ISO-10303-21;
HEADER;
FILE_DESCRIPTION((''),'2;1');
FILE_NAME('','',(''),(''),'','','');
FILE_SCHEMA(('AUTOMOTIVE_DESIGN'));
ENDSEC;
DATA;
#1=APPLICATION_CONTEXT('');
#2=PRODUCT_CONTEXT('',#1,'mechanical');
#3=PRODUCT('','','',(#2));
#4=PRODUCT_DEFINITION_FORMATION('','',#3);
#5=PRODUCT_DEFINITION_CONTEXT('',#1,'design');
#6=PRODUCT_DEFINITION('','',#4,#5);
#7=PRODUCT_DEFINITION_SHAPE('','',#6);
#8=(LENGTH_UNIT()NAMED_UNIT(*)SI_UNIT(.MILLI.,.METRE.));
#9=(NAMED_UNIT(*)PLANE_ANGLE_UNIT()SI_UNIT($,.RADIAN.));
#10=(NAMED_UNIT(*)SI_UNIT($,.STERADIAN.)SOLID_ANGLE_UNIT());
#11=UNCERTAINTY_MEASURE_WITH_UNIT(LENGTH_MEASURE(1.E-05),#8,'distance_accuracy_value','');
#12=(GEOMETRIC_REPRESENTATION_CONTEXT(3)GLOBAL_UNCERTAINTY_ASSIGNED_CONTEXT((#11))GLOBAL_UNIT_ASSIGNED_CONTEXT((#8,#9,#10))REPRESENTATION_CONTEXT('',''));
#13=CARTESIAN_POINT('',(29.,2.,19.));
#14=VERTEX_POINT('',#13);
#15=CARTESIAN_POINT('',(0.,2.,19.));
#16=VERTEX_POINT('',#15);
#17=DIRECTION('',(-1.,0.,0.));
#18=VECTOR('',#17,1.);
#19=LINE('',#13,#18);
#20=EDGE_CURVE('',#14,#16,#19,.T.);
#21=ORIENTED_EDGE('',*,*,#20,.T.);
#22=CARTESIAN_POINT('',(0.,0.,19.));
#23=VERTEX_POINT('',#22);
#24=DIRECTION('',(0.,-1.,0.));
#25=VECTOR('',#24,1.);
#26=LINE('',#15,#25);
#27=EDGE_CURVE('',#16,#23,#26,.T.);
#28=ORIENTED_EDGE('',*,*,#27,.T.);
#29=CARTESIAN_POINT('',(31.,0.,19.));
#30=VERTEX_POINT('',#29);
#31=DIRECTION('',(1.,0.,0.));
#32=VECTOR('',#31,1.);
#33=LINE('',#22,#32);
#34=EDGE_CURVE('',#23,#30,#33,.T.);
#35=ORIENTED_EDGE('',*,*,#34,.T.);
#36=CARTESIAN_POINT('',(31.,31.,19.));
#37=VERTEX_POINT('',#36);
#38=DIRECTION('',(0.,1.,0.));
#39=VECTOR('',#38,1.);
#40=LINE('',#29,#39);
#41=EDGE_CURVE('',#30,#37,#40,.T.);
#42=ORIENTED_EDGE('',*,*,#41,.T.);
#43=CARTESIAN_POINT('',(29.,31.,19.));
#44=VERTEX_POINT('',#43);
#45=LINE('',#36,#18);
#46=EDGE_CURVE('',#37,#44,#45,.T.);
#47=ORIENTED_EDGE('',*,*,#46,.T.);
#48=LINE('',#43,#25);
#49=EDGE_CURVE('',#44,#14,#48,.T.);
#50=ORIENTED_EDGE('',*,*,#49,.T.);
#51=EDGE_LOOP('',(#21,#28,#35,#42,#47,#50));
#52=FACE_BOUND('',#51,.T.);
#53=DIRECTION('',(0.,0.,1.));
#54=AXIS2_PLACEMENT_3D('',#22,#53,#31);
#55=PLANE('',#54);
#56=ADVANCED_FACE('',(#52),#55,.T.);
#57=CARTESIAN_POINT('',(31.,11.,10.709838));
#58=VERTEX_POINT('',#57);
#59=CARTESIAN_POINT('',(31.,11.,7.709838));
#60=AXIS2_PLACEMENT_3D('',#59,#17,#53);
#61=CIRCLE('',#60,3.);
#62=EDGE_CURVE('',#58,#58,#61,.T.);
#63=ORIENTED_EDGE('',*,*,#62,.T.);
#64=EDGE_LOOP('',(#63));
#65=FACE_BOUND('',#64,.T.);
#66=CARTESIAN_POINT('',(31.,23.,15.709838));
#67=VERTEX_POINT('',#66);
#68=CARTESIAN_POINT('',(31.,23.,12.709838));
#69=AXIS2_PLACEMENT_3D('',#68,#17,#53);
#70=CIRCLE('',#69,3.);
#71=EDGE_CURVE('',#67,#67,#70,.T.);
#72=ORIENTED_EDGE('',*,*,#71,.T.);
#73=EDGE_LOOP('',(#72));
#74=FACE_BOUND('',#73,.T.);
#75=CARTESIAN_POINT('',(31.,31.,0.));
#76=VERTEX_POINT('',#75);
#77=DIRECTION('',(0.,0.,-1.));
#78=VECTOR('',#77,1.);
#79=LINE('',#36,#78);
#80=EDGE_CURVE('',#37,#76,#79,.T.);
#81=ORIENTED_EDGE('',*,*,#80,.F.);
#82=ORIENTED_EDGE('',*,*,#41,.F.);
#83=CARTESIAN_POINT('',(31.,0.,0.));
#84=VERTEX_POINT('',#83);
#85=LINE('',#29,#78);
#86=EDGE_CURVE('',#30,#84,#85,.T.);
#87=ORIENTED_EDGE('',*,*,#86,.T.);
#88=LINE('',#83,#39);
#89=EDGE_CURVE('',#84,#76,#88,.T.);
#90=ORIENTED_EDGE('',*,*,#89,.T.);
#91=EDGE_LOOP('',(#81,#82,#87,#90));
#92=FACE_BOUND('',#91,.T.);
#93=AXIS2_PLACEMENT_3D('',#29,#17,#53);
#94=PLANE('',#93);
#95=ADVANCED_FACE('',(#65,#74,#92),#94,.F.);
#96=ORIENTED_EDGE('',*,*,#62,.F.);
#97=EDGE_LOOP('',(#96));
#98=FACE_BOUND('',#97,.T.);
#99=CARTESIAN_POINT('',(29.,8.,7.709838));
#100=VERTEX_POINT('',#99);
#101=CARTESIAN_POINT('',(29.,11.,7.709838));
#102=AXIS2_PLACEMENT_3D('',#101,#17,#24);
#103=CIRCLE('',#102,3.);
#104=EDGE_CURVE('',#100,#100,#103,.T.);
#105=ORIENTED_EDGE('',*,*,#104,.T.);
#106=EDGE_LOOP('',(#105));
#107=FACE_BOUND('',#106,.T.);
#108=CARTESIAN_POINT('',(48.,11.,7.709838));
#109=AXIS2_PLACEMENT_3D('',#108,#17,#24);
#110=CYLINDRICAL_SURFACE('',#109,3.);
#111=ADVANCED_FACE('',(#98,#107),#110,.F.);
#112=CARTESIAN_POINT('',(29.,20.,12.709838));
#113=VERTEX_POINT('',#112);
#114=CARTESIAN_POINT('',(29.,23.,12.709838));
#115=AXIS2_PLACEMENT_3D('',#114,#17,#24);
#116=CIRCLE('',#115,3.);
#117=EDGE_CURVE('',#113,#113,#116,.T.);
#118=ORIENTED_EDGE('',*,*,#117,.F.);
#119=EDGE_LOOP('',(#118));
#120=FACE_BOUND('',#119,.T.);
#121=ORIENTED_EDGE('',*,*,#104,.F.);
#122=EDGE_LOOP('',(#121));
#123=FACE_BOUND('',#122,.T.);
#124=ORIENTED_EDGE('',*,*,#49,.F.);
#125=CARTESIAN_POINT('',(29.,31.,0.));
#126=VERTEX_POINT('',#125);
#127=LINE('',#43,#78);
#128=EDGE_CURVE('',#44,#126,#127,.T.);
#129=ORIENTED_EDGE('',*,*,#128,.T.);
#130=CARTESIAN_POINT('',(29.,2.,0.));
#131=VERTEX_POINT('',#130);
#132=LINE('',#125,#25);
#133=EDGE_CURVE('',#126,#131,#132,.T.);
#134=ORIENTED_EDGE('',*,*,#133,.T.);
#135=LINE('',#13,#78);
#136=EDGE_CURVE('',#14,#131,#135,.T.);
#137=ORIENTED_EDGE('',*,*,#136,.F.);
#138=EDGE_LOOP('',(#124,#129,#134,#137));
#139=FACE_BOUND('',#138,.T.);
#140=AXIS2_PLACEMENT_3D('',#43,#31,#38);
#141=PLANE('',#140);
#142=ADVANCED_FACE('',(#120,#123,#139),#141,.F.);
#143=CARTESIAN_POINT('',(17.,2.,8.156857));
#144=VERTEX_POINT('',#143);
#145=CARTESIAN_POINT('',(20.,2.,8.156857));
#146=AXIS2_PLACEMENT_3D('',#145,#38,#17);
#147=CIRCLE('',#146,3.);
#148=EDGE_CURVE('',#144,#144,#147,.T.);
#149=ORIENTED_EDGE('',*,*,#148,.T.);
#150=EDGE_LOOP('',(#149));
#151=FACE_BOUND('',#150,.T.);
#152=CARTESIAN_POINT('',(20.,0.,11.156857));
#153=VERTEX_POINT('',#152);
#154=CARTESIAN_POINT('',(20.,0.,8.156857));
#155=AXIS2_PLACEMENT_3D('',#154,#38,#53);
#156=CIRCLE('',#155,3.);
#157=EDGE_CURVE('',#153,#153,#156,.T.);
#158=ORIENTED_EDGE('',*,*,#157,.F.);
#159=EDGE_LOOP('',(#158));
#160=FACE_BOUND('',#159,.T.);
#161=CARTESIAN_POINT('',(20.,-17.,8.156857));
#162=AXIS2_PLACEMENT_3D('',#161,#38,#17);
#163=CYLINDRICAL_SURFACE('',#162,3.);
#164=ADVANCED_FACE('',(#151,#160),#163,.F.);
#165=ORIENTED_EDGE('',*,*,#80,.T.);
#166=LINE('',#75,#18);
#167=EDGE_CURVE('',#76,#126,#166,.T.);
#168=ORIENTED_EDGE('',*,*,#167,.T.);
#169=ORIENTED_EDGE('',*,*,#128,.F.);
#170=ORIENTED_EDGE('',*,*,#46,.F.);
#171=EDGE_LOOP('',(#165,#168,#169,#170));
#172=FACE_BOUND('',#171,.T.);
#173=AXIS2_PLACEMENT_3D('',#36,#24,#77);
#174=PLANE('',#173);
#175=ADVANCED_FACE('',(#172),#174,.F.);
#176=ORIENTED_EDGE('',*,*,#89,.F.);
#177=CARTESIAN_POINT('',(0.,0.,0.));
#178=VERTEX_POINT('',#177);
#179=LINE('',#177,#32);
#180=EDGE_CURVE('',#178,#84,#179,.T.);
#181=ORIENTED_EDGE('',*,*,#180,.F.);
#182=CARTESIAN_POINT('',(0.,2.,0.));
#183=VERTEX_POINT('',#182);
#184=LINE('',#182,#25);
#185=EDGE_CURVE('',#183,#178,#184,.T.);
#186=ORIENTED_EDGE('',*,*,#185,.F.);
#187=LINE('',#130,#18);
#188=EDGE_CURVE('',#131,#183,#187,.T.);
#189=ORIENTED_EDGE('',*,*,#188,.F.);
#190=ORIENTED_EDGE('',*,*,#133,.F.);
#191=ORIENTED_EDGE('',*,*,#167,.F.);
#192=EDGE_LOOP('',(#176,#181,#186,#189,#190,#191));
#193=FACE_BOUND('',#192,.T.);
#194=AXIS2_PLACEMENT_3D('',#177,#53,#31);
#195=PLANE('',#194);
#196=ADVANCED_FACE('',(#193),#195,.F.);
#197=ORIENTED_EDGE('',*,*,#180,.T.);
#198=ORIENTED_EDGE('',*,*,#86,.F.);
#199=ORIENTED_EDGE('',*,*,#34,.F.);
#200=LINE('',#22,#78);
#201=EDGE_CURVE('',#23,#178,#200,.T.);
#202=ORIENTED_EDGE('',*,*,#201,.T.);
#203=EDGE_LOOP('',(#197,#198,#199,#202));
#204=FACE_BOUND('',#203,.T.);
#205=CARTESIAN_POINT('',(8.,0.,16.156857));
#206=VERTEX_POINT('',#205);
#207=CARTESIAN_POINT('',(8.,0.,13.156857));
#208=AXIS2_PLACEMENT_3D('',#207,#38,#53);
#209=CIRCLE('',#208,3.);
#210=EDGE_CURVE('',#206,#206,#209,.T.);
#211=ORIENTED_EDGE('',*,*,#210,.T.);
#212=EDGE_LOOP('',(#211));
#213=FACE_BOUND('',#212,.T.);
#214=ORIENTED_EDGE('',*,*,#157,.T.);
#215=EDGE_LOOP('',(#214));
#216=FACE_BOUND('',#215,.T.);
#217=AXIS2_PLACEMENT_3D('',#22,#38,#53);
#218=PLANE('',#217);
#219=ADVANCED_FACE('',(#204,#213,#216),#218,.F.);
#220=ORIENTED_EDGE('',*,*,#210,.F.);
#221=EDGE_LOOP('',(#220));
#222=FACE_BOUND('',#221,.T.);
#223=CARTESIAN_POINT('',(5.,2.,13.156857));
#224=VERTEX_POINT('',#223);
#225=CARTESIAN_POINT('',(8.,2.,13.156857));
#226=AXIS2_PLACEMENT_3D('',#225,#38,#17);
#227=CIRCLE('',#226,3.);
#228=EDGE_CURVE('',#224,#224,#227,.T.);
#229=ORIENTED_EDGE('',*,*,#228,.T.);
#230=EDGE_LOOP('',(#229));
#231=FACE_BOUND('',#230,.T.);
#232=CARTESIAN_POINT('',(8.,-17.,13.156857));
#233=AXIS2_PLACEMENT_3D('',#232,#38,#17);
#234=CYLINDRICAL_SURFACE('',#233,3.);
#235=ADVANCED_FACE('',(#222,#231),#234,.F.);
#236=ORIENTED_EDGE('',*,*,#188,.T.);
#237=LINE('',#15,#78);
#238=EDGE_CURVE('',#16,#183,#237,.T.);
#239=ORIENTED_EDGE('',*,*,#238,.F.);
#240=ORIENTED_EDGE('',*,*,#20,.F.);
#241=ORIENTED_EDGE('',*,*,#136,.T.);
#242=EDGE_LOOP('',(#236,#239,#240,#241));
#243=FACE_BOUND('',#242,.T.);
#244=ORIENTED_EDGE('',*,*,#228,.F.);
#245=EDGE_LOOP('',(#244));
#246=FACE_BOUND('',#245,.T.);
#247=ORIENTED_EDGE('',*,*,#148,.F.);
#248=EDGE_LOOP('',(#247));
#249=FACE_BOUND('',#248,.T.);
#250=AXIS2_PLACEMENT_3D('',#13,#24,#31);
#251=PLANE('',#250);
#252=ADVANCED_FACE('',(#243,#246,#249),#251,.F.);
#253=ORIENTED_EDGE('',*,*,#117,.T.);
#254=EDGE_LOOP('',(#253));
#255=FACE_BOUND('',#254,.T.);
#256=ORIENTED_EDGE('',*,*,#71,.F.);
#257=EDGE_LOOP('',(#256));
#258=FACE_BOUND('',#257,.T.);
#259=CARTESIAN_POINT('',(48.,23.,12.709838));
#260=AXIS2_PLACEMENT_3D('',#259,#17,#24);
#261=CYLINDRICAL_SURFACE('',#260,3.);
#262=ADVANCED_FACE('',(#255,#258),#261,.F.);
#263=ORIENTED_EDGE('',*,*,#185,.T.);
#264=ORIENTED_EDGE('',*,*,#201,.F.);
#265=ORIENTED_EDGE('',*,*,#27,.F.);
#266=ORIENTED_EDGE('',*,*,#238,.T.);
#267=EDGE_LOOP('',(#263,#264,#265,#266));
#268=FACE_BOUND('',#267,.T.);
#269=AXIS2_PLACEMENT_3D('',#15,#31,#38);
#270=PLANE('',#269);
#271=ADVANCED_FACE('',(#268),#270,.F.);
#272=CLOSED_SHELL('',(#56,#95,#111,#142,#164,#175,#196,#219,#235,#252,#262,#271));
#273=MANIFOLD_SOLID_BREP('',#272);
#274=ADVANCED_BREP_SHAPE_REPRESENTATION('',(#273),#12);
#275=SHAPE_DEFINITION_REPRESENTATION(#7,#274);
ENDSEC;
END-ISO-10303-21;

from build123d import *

# Parameters (mm, degrees)
EXTRUDE_1_DEPTH     = 19
SKETCH_2_R          = 3
CUT_EXTRUDE_1_DEPTH = 19
SKETCH_3_R          = 3
CUT_EXTRUDE_2_DEPTH = 19


with BuildPart() as part:
    # 草图1 → 凸台-拉伸1 (new body)
    with BuildSketch(Plane.XY):
        Polygon((0, 0), (31, 0), (31, 31), (29, 31), (29, 2), (0, 2), align=None)
    extrude(amount=EXTRUDE_1_DEPTH)

    # 草图2 → 切除-拉伸1 (cut)
    with BuildSketch(Plane.ZY.offset(-29)):
        with Locations(Location((7.709838353, 11, 0), (0, 0, 270))):
            Circle(SKETCH_2_R)
        with Locations(Location((12.709838353, 23, 0), (0, 0, 270))):
            Circle(SKETCH_2_R)
    extrude(amount=-CUT_EXTRUDE_1_DEPTH, mode=Mode.SUBTRACT)

    # 草图3 → 切除-拉伸2 (cut)
    with BuildSketch(Plane(origin=(0, 2, 0), x_dir=(1, 0, 0), z_dir=(0, 1, 0))):
        with Locations(Location((20, -8.156857101, 0), (0, 0, 180))):
            Circle(SKETCH_3_R)
        with Locations(Location((8, -13.156857101, 0), (0, 0, 180))):
            Circle(SKETCH_3_R)
    extrude(amount=-CUT_EXTRUDE_2_DEPTH, mode=Mode.SUBTRACT)


solid = part.part
